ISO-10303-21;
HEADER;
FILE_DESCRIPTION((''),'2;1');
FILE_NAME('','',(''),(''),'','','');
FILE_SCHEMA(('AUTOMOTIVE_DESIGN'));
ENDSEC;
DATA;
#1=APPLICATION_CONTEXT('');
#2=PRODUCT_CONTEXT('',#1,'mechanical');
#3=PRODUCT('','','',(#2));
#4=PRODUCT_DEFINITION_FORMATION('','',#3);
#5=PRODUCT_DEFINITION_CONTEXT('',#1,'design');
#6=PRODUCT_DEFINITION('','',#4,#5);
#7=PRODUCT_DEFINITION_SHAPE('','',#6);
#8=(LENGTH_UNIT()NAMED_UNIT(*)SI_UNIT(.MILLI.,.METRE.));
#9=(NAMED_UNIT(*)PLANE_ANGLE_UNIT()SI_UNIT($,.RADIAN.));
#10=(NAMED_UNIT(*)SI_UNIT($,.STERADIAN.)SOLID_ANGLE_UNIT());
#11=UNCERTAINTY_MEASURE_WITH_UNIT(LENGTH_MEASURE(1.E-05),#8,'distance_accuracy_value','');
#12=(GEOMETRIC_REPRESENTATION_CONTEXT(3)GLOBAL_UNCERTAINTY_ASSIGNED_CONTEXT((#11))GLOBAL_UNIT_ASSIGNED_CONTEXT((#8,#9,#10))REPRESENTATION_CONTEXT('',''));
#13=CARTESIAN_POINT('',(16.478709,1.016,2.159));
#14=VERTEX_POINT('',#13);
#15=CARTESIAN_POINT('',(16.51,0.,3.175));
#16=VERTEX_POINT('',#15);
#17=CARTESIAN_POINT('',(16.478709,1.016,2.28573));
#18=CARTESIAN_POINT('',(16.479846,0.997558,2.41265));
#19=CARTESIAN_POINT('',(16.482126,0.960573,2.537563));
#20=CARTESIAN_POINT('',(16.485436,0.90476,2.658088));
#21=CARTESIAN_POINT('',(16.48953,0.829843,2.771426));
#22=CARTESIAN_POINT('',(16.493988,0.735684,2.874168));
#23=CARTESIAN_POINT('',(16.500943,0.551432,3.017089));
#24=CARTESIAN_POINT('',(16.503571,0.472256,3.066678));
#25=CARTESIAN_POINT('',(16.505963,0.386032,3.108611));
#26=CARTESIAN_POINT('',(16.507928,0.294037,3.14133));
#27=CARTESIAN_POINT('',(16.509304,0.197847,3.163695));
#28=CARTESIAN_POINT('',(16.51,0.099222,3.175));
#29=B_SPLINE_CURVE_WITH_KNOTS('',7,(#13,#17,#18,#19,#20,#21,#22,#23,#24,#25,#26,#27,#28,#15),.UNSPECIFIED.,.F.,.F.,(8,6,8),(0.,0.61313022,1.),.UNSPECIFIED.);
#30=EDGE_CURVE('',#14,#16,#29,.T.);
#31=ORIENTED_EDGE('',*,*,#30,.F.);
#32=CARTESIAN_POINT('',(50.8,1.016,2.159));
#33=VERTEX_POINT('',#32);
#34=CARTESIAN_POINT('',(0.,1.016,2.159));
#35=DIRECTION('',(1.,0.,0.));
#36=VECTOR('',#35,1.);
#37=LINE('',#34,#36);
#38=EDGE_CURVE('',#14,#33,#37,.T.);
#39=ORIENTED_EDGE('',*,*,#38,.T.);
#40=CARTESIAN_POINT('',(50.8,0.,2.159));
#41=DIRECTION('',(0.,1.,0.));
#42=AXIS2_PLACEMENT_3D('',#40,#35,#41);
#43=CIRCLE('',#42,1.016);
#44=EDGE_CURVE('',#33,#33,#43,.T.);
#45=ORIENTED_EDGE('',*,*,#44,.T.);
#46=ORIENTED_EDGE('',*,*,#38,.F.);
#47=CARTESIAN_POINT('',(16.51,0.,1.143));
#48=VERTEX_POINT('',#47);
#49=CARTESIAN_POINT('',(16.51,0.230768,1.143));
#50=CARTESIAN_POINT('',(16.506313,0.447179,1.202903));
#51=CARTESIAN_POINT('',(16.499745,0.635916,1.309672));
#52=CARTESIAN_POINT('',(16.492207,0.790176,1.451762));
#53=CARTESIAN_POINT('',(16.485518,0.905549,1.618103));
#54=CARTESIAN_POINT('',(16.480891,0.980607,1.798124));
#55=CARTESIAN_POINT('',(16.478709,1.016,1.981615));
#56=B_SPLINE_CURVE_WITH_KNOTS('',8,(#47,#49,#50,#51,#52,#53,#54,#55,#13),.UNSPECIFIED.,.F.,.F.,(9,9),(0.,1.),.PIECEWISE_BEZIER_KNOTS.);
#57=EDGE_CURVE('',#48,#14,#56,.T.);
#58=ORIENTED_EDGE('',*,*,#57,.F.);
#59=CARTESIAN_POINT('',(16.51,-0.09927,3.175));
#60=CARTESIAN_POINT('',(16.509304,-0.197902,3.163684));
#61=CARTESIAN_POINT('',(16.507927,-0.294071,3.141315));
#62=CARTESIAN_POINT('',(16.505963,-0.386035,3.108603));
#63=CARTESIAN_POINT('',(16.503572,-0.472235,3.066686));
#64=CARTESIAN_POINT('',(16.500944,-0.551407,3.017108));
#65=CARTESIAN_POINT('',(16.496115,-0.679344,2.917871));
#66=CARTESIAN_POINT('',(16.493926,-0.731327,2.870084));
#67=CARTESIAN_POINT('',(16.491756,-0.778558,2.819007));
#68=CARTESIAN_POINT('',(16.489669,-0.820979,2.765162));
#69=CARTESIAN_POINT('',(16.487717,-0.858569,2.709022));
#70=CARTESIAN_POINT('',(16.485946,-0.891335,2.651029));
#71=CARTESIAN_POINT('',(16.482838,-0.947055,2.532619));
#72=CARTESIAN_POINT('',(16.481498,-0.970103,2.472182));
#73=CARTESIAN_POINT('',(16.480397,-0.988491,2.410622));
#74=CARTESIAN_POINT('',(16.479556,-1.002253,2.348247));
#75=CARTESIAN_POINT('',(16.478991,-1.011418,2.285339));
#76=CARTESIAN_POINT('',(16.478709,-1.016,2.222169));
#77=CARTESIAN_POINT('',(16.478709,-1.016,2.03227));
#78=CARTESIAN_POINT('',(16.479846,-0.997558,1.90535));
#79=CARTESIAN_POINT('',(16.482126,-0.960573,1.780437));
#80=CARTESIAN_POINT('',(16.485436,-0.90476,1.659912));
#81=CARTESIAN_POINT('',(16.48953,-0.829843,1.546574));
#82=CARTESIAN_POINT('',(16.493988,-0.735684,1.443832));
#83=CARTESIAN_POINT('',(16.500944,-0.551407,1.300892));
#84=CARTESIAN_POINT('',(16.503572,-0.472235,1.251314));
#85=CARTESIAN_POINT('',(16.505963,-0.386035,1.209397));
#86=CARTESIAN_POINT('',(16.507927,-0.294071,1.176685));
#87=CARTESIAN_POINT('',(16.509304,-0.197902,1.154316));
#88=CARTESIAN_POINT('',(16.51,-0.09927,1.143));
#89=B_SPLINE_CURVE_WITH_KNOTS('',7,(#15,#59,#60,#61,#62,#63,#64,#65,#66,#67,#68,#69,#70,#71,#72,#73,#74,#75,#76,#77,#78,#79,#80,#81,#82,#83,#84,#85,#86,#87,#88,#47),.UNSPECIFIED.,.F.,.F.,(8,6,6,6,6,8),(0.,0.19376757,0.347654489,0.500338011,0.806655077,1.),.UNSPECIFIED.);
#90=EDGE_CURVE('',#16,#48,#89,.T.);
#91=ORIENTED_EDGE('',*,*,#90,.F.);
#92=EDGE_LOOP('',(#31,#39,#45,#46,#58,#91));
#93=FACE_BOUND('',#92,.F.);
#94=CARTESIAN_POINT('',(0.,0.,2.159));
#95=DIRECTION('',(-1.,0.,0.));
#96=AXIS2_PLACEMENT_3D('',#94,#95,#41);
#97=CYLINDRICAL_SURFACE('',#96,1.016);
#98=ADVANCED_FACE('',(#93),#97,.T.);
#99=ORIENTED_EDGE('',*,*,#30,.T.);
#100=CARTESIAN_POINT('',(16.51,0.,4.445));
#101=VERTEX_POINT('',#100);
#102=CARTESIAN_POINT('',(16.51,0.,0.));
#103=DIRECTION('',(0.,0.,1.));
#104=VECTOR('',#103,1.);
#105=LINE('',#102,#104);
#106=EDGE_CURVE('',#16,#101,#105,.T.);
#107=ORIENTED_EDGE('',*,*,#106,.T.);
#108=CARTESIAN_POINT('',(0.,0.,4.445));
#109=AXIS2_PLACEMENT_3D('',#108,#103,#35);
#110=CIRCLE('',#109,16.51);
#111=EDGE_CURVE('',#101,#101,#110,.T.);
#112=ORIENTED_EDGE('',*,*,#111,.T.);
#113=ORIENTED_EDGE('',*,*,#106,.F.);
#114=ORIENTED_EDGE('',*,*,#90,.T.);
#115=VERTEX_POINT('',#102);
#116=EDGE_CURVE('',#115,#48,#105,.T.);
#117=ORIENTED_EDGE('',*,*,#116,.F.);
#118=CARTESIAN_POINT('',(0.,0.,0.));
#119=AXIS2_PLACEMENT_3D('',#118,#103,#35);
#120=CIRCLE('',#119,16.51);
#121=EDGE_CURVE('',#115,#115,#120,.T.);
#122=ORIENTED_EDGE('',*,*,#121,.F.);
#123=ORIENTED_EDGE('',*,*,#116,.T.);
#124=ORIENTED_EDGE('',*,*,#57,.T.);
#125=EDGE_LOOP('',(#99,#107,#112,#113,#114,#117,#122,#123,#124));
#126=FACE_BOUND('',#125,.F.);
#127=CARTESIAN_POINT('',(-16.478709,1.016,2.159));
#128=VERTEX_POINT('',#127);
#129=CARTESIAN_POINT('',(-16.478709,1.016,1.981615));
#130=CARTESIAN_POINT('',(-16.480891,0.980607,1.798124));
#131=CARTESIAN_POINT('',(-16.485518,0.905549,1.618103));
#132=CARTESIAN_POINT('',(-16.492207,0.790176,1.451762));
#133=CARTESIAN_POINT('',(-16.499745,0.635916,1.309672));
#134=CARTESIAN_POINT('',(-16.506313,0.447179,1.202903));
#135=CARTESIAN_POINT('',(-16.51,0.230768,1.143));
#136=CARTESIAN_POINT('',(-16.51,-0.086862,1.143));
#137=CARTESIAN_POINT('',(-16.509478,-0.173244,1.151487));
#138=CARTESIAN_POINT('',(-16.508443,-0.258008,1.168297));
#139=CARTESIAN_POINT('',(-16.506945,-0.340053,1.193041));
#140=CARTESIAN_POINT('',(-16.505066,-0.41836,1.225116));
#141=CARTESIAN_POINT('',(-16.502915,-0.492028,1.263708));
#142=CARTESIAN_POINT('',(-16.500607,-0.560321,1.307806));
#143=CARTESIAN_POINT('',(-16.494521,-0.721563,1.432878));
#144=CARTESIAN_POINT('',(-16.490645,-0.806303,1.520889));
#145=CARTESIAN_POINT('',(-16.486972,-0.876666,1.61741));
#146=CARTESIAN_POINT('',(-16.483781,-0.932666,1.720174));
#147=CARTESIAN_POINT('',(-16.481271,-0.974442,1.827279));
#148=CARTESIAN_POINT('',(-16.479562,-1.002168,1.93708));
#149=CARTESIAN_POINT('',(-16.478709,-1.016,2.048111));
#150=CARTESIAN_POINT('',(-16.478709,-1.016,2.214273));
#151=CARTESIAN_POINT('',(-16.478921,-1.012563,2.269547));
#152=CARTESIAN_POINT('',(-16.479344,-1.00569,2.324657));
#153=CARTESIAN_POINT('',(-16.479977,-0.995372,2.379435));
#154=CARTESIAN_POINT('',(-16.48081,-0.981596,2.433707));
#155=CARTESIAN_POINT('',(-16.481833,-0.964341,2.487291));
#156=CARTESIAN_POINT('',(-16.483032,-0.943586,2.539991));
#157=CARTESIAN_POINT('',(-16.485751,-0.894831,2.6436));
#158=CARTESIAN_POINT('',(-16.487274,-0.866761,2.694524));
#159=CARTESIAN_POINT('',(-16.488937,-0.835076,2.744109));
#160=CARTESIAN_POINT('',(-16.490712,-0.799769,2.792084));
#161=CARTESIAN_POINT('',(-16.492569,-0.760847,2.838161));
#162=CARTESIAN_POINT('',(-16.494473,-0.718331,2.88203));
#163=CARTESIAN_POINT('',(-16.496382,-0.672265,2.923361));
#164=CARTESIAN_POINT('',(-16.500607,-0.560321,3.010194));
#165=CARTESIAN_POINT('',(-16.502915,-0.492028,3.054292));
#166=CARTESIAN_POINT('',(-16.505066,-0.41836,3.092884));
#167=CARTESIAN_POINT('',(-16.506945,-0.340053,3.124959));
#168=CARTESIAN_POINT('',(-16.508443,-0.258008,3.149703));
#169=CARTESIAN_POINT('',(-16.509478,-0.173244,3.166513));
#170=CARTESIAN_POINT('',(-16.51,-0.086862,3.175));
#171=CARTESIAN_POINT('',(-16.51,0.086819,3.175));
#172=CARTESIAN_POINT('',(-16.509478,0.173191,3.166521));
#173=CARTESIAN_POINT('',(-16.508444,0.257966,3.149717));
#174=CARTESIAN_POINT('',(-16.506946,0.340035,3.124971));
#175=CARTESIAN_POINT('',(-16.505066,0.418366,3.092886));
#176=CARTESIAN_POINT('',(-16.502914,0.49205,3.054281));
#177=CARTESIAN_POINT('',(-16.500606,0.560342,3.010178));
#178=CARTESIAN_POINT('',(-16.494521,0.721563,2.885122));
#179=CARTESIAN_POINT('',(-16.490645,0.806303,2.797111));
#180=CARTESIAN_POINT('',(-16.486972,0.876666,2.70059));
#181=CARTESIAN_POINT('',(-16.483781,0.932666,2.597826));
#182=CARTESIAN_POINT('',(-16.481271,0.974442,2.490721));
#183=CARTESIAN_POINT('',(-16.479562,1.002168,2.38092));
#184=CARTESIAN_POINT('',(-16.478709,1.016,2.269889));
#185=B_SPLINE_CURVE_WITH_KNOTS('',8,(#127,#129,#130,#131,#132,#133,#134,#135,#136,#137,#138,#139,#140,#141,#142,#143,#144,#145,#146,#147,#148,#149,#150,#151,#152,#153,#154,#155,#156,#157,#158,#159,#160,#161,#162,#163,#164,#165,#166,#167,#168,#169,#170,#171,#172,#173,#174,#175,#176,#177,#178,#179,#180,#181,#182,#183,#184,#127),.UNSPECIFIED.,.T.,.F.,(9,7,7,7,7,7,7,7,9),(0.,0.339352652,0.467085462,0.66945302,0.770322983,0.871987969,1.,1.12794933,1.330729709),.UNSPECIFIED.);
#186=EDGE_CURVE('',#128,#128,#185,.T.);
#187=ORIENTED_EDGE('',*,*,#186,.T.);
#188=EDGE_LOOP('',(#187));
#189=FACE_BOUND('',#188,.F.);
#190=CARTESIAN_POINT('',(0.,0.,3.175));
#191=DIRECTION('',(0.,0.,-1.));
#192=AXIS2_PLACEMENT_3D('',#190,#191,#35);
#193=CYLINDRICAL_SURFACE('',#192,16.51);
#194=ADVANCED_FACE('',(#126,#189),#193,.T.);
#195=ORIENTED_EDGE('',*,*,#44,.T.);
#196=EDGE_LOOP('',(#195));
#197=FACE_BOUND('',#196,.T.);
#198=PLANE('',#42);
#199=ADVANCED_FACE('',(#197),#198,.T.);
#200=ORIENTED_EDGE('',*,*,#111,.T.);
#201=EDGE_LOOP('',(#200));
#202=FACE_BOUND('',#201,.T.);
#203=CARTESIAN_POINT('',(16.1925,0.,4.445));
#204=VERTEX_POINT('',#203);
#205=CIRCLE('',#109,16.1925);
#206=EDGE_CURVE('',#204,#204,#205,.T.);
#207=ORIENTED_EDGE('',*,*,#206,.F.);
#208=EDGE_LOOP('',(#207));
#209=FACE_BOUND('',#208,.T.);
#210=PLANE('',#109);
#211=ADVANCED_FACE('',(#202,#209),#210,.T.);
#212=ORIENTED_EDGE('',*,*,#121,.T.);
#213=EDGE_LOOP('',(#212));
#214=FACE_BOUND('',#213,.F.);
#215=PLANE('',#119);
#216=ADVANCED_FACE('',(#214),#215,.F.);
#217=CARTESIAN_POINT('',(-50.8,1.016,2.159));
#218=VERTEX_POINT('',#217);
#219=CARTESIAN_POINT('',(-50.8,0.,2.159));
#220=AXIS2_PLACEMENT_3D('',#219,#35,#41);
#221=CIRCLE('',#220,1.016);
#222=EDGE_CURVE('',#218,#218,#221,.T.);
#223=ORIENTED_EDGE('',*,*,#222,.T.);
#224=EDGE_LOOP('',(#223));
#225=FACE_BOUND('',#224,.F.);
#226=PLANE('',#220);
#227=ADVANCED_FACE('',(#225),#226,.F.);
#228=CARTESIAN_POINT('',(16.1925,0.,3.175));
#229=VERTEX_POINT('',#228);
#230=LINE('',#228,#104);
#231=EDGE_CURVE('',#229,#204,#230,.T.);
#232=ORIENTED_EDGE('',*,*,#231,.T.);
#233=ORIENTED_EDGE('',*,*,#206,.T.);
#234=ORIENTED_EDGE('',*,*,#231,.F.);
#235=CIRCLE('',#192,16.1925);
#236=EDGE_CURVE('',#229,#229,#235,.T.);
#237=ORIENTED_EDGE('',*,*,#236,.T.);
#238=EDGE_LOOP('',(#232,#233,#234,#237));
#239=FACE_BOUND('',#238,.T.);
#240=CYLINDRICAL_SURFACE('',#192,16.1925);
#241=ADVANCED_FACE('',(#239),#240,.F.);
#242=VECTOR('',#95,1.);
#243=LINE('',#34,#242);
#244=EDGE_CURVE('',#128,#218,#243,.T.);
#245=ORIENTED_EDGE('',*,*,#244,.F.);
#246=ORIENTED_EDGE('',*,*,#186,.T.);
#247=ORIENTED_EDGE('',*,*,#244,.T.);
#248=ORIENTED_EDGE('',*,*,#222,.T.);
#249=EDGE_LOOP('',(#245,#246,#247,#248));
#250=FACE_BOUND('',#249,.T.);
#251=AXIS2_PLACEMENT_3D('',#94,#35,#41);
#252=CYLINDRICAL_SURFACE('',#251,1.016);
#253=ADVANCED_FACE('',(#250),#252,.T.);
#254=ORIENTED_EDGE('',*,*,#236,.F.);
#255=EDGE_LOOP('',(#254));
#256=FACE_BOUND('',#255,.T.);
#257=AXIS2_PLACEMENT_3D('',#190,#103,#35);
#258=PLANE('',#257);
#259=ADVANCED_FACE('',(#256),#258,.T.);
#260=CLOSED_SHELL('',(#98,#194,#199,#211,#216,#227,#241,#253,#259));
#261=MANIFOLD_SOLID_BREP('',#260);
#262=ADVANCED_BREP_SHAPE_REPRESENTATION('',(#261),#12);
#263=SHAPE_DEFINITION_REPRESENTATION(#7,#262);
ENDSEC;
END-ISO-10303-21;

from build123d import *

# Parameters (mm, degrees)
F0_R          = 16.51
F1_DEPTH      = 3.175
F2_R          = 16.51
F2_R_2        = 16.1925
F3_DEPTH      = 1.27
F4_R          = 1.016
F5_DEPTH      = 50.8
F5_DEPTH_BACK = 50.8


with BuildPart() as f1:
    # F0 (on Top) → F1 (new body)
    with BuildSketch(Plane.XY):
        Circle(F0_R)
    extrude(amount=F1_DEPTH)

    # F2 (on face) → F3 (join)
    with BuildSketch(Plane.XY.offset(3.175)):
        Circle(F2_R)
        Circle(F2_R_2, mode=Mode.SUBTRACT)
    extrude(amount=F3_DEPTH)

    # F4 (on Right) → F5 (join, two sides)
    with BuildSketch(Plane.YZ) as f5_sk:
        with Locations((0, 2.159)):
            Circle(F4_R)
    extrude(amount=F5_DEPTH)
    extrude(f5_sk.sketch, amount=-F5_DEPTH_BACK)


solid = f1.part
